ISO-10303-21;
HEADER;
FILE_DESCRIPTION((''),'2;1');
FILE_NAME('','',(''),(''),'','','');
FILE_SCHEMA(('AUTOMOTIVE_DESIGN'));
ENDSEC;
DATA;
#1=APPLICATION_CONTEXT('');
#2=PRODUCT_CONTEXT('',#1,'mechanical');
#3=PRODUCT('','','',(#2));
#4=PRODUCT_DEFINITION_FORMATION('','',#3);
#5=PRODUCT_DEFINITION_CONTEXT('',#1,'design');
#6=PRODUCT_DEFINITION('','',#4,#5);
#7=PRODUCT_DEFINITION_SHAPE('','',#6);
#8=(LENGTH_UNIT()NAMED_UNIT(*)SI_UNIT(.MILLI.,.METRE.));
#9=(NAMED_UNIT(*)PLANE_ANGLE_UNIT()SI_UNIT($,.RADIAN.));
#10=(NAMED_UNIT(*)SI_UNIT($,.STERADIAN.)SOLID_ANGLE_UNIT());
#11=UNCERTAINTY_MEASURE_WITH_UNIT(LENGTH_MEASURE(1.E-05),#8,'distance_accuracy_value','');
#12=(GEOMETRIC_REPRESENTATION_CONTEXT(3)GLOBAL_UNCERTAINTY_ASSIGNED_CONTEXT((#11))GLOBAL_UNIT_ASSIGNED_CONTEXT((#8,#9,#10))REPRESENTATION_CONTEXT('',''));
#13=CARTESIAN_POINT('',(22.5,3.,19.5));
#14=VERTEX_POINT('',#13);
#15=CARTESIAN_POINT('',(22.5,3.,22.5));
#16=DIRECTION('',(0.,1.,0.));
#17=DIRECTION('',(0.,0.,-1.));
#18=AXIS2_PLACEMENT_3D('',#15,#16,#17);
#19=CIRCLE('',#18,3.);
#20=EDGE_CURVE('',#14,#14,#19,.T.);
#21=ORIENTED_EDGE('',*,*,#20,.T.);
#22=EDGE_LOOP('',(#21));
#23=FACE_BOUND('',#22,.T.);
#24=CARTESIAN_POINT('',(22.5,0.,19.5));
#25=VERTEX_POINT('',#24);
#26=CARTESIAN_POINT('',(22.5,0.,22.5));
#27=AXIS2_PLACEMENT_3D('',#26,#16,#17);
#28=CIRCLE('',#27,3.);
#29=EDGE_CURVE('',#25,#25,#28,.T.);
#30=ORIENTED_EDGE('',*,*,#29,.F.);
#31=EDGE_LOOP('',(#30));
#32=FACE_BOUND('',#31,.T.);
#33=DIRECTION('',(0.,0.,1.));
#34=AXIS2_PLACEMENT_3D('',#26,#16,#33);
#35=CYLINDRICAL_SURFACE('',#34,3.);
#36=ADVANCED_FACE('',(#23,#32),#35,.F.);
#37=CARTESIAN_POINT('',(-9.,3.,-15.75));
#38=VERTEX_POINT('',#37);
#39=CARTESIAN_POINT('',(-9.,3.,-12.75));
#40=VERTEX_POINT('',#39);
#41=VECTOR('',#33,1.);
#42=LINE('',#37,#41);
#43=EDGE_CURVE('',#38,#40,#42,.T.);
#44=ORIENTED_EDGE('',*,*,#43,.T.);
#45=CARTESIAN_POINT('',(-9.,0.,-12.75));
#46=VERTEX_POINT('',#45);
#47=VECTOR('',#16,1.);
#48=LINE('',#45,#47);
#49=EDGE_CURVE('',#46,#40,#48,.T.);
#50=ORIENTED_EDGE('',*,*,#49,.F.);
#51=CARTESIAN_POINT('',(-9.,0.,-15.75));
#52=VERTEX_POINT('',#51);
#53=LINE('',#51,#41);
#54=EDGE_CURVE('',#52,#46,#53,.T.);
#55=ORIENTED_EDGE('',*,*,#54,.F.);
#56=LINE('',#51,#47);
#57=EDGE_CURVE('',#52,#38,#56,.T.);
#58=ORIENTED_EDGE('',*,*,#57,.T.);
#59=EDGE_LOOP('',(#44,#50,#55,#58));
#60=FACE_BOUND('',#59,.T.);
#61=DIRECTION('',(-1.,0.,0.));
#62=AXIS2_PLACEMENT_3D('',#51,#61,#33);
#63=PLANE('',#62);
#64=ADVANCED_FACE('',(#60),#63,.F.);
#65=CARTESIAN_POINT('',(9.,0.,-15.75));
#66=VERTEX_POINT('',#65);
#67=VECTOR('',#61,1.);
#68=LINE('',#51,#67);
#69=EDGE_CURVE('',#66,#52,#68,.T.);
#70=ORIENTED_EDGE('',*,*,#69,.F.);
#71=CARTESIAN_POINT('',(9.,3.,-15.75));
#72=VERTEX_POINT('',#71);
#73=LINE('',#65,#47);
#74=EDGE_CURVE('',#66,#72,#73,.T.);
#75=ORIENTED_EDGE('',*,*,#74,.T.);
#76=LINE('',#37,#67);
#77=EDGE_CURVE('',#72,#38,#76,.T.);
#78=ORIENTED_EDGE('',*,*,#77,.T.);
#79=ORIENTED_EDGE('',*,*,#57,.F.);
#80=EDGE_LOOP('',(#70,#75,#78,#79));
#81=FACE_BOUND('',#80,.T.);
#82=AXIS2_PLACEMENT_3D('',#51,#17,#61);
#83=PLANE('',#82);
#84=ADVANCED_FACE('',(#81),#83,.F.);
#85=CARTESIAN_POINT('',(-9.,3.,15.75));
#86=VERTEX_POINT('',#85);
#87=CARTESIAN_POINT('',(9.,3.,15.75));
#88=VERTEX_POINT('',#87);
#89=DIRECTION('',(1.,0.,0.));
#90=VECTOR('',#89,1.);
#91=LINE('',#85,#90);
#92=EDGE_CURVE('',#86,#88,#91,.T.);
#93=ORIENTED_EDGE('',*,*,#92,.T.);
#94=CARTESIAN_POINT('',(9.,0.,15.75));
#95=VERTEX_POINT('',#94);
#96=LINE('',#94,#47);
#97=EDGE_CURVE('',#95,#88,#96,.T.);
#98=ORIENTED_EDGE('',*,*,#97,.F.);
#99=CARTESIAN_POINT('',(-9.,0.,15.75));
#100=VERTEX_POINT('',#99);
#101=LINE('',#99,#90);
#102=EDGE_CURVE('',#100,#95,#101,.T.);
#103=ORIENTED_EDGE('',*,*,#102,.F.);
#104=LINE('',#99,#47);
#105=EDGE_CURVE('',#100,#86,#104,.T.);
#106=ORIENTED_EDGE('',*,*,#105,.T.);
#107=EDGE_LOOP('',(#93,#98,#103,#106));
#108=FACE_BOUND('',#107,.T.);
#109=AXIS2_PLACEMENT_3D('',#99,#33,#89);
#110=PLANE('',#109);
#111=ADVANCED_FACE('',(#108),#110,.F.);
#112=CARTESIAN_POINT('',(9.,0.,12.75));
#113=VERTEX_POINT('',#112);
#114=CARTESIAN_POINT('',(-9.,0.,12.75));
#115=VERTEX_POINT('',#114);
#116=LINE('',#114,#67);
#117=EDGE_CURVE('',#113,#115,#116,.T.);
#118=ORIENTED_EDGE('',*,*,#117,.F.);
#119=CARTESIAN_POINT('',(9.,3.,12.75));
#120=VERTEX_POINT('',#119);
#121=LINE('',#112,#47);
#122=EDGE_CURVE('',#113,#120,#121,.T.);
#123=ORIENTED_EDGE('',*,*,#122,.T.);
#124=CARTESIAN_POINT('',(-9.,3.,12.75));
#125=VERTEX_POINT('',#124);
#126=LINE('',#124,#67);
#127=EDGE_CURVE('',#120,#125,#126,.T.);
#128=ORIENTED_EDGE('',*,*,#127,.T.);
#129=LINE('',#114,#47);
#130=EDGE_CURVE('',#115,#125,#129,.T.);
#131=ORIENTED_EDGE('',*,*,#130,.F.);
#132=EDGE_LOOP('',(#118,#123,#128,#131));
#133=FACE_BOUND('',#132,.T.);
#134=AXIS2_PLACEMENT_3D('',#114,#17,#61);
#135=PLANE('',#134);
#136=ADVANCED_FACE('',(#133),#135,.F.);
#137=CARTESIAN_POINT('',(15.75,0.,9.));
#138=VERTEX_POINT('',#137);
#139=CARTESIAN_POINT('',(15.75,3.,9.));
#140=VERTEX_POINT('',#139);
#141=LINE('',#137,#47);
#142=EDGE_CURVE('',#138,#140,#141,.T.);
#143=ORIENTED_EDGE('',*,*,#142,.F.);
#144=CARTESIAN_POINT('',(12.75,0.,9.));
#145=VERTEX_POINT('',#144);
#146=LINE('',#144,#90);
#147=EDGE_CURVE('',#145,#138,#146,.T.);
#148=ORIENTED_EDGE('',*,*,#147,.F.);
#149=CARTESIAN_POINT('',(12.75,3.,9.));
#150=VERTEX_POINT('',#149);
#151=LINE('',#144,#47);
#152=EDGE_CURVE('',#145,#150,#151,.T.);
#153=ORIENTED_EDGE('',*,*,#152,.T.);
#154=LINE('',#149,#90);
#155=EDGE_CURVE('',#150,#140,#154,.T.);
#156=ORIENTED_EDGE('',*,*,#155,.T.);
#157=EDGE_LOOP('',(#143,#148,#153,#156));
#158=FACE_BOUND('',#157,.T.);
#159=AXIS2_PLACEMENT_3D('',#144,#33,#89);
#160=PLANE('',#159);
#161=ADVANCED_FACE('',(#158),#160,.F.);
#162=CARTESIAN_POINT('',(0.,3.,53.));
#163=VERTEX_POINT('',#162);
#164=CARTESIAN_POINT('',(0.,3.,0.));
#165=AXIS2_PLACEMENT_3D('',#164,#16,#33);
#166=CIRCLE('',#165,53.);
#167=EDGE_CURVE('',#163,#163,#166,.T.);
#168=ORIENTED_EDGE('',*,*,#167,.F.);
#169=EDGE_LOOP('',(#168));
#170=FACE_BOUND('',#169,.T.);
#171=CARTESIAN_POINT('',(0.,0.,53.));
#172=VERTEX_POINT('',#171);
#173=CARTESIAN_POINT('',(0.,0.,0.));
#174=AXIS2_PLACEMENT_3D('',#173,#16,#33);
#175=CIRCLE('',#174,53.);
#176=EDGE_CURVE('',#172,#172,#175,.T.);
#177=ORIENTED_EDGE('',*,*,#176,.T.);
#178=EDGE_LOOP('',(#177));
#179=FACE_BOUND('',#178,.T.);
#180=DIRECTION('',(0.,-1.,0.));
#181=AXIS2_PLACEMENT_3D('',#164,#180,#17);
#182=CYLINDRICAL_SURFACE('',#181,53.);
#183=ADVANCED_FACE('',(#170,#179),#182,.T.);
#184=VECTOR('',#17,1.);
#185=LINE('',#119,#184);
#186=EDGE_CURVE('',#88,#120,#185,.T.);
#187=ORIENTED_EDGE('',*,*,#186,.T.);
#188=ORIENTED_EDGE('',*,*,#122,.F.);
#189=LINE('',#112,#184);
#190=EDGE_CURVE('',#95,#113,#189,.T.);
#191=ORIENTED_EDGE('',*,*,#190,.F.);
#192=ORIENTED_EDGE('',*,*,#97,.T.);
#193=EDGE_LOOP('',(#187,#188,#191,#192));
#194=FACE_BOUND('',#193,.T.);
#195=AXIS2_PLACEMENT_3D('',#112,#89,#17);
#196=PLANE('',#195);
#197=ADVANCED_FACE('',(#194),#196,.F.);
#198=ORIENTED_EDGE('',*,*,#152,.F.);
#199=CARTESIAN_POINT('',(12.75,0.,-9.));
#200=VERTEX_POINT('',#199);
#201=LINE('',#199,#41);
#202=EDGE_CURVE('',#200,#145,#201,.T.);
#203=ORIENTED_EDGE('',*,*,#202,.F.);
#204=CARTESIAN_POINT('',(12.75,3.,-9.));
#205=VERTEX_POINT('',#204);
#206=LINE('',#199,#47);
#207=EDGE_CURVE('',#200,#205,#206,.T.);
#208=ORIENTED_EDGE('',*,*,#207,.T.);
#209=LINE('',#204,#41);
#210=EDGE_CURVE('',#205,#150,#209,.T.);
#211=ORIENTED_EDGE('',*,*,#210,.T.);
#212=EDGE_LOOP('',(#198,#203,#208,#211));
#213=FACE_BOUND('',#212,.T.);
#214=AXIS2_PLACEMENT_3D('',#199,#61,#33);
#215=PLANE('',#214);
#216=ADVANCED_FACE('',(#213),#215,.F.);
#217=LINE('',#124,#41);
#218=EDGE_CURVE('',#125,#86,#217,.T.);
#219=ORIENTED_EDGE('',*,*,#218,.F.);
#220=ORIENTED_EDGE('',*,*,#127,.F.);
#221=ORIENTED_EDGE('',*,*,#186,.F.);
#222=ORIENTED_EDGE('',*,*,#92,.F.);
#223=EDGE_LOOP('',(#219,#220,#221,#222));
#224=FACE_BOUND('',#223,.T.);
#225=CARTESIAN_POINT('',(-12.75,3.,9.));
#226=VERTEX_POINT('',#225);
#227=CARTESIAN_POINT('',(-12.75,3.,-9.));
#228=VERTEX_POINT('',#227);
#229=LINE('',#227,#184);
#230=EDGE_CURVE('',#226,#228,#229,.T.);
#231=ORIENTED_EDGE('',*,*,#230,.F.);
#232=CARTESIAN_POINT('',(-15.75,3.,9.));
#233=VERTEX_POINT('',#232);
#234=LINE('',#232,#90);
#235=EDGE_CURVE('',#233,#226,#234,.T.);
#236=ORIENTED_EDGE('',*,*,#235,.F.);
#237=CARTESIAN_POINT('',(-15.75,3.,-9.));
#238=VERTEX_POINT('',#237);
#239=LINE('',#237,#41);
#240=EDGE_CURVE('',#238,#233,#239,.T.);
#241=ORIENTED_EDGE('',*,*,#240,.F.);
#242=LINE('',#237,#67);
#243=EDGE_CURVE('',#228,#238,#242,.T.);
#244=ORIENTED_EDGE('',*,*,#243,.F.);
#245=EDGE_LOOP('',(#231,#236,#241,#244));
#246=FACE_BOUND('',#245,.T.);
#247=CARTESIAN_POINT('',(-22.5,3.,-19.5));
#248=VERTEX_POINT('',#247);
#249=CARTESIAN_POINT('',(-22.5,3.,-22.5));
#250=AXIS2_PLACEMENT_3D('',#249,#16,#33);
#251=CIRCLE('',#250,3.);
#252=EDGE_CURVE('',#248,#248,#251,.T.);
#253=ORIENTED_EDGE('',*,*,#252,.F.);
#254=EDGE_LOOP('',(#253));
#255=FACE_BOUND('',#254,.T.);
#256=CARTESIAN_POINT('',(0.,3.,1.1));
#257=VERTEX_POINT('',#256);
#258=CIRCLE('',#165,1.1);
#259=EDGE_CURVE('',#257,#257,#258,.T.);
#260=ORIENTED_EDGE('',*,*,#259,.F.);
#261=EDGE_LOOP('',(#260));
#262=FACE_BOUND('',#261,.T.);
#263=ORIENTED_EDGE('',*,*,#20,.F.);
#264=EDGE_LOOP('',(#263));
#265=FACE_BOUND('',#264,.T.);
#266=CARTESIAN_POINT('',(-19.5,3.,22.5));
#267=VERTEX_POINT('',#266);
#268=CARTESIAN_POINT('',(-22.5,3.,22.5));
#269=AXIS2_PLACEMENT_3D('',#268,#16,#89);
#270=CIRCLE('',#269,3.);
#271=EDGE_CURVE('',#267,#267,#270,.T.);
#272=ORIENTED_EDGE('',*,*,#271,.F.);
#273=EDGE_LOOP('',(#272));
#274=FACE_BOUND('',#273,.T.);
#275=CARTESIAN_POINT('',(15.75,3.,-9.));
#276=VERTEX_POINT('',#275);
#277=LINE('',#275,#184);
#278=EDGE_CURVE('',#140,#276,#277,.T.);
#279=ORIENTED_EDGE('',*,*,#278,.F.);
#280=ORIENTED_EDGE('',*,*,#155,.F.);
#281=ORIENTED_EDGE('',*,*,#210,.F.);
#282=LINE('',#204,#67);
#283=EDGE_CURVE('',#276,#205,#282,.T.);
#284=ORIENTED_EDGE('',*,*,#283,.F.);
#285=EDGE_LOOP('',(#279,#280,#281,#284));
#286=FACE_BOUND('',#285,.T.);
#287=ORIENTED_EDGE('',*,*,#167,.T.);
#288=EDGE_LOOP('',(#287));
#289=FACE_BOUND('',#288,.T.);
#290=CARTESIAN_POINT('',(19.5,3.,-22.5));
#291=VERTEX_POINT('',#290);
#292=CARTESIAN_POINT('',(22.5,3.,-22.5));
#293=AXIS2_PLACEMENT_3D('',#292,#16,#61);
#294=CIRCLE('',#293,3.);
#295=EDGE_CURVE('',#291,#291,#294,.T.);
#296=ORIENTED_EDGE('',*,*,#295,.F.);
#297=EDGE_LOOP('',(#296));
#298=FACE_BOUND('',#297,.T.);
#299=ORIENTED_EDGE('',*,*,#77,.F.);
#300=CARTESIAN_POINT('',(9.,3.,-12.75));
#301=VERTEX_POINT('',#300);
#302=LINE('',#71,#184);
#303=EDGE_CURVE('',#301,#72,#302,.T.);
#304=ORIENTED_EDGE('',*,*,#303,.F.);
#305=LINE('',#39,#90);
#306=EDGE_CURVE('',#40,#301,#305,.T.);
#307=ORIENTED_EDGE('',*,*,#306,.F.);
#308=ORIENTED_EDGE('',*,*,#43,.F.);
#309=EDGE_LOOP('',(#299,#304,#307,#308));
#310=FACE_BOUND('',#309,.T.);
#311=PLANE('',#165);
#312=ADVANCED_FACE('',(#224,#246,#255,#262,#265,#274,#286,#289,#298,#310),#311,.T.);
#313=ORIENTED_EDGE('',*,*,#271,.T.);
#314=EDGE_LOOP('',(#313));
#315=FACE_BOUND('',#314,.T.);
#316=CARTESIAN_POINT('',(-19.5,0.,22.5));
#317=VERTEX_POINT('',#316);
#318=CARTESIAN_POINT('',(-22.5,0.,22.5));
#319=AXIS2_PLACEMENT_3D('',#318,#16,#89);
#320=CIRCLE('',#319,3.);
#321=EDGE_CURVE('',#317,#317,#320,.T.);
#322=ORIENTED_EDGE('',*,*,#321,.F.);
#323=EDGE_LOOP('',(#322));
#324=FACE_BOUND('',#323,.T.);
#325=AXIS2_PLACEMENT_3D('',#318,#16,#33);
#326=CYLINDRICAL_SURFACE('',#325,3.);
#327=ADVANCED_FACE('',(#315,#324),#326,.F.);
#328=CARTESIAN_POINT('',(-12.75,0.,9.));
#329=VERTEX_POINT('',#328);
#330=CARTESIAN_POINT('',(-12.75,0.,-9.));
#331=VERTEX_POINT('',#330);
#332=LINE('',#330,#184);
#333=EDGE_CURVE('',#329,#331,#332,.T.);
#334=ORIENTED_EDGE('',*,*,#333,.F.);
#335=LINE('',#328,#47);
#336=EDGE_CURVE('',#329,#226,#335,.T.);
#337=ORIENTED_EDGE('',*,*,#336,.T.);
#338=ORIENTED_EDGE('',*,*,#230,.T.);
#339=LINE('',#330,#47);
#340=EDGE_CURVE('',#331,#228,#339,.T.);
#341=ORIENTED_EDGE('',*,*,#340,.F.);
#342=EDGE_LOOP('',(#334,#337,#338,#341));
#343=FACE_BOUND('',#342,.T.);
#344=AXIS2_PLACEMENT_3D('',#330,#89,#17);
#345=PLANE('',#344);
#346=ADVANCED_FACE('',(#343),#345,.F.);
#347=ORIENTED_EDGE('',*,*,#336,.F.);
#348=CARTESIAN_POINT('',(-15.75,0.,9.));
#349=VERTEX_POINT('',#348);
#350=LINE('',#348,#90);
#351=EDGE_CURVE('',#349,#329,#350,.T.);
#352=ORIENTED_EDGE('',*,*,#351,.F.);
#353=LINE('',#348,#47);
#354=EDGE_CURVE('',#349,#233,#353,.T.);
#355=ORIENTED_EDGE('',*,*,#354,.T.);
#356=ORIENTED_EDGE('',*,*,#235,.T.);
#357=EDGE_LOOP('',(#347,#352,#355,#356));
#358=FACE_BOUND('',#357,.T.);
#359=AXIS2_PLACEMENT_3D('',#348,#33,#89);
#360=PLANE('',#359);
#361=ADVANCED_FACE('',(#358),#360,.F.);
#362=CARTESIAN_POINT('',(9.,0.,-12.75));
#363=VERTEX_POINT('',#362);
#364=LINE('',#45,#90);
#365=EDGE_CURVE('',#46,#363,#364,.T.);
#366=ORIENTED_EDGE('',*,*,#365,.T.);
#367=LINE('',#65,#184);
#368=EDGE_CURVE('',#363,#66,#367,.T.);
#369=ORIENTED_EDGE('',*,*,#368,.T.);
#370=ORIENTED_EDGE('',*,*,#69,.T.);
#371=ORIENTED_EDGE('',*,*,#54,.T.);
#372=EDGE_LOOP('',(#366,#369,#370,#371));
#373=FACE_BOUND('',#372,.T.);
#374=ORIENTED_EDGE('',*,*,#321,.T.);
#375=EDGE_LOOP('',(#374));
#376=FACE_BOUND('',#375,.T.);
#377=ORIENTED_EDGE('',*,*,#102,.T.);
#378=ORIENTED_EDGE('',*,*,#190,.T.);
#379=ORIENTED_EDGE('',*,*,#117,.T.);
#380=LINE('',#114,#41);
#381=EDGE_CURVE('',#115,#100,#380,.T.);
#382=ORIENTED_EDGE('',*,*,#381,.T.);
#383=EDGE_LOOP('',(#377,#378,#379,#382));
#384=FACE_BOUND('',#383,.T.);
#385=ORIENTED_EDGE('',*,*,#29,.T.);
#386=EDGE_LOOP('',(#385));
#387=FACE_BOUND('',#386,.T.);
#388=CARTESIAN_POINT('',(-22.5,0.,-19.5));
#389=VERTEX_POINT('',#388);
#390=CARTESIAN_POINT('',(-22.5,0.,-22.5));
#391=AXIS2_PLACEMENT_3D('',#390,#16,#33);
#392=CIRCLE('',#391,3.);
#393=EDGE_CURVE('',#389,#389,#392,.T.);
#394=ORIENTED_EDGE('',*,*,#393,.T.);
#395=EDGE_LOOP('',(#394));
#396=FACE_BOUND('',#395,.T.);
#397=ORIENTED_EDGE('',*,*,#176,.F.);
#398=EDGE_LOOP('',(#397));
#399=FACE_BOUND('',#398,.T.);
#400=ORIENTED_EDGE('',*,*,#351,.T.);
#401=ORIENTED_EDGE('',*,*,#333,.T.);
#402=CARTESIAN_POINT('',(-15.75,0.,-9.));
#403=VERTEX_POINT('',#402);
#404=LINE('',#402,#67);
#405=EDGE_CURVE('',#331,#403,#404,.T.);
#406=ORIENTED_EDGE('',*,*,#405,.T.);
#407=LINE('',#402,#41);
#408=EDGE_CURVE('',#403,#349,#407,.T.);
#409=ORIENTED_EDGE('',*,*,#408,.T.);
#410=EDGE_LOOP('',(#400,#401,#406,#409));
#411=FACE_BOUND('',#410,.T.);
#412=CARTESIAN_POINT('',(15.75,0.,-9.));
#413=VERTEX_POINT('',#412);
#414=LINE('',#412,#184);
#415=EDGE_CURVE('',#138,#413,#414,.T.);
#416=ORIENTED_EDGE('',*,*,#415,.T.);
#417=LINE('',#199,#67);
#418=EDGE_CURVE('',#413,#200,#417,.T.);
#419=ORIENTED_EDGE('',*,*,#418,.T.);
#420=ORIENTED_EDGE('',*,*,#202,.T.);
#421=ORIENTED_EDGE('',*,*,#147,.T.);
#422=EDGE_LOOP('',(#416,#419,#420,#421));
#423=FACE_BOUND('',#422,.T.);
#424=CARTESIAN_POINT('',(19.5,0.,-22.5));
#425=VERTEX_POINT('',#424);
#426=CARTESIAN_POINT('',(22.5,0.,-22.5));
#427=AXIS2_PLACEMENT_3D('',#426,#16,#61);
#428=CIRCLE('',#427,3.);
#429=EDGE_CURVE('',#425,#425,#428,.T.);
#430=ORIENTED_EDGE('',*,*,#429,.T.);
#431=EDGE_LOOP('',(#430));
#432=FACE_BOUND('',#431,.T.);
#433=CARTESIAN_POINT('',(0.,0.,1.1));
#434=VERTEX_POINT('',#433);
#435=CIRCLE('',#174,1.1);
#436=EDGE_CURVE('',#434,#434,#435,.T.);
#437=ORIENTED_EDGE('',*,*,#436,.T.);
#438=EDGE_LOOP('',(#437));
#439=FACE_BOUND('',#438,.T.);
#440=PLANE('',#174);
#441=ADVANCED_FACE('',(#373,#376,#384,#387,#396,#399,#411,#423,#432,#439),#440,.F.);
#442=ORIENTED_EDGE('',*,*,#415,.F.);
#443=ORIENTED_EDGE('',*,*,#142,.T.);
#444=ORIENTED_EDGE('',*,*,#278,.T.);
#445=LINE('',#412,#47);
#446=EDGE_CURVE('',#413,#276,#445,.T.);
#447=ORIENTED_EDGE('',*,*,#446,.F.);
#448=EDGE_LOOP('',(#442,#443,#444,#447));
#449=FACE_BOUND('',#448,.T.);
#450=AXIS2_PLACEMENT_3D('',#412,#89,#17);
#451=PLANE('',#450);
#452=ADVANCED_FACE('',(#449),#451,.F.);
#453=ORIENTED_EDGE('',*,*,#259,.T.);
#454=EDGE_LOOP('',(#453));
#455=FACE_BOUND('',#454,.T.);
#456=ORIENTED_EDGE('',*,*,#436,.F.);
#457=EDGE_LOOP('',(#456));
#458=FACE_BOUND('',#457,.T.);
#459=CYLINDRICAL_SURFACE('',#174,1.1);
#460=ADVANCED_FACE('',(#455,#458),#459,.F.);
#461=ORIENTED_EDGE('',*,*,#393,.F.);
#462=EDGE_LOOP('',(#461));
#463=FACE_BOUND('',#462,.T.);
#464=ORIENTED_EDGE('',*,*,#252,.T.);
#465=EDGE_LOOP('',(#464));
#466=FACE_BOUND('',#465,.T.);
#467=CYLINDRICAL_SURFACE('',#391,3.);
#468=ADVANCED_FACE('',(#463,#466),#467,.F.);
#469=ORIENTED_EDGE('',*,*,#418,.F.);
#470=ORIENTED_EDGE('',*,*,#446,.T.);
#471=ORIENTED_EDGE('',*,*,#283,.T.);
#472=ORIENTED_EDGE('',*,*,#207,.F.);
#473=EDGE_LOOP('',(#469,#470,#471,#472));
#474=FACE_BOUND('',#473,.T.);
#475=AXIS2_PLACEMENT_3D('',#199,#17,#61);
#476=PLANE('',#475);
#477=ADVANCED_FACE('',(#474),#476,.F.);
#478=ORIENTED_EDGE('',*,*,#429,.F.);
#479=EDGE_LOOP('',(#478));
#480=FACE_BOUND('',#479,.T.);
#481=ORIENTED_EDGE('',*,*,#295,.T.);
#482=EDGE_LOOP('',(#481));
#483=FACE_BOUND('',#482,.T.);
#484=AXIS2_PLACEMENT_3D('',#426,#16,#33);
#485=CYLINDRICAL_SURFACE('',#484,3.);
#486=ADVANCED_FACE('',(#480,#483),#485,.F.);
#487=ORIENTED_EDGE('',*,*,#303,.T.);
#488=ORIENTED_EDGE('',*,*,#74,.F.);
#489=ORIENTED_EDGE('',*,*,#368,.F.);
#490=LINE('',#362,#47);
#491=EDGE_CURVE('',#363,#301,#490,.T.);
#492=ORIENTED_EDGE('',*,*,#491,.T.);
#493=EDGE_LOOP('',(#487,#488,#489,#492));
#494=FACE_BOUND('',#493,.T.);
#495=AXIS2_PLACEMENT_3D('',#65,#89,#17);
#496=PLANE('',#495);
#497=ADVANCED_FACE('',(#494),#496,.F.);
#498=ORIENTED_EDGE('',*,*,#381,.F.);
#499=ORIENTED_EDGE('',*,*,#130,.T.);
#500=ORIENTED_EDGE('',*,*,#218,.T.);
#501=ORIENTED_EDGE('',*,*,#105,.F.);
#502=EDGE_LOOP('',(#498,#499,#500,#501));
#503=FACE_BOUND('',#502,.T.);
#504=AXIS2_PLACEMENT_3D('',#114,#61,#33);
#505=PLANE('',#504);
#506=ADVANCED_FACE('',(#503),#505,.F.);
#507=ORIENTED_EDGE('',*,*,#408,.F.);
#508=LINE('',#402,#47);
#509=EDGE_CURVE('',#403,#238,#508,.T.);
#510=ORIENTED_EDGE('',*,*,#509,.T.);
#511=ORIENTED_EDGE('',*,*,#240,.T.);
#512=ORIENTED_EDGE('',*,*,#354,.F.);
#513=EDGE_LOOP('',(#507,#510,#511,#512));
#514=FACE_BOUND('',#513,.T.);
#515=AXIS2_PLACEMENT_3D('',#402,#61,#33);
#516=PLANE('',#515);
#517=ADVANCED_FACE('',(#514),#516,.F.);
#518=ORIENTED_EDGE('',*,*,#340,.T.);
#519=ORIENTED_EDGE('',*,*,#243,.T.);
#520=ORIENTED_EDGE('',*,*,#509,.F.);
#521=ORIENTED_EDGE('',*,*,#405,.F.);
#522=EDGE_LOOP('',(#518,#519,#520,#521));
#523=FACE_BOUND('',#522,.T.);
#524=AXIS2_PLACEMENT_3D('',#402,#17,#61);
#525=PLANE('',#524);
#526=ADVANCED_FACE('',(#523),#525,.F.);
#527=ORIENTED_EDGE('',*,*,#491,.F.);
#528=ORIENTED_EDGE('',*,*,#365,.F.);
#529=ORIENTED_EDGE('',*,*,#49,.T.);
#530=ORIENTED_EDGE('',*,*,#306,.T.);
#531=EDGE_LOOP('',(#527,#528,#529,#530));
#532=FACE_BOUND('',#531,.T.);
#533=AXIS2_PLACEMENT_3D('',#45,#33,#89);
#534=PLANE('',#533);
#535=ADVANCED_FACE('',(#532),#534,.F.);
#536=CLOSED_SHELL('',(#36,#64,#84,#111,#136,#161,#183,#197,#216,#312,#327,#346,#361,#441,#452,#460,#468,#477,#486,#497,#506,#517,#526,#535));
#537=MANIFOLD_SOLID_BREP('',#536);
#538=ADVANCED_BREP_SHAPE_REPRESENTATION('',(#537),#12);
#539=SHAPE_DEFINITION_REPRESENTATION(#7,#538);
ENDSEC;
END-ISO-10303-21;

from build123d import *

# Parameters (mm, degrees)
SKETCH1_R           = 53
BOSS_EXTRUDE1_DEPTH = 3
SKETCH2_R           = 1.1
SKETCH2_W           = 18
SKETCH2_H           = 3
SKETCH2_W_2         = 3
SKETCH2_H_2         = 18
CUT_EXTRUDE1_DEPTH  = 3
SKETCH4_R           = 3
CUT_EXTRUDE2_DEPTH  = 3
CIRPATTERN1_COUNT   = 4


with BuildPart() as part:
    # Sketch1 → Boss-Extrude1 (new body)
    with BuildSketch(Plane(origin=(0, 0, 0), x_dir=(1, 0, 0), z_dir=(0, 1, 0))):
        Circle(SKETCH1_R)
    extrude(amount=BOSS_EXTRUDE1_DEPTH)

    # Sketch2 → Cut-Extrude1 (cut)
    with BuildSketch(Plane(origin=(0, 3, 0), x_dir=(1, 0, 0), z_dir=(0, 1, 0))):
        Circle(SKETCH2_R)
        with Locations((0, 14.25)):
            Rectangle(SKETCH2_W, SKETCH2_H)
        with Locations((-14.25, 0)):
            Rectangle(SKETCH2_W_2, SKETCH2_H_2)
        with Locations((0, -14.25)):
            Rectangle(SKETCH2_W, SKETCH2_H)
        with Locations((14.25, 0)):
            Rectangle(SKETCH2_W_2, SKETCH2_H_2)
    extrude(amount=-CUT_EXTRUDE1_DEPTH, mode=Mode.SUBTRACT)

    # Sketch4 → Cut-Extrude2 (cut)
    with BuildSketch(Plane(origin=(0, 3, 0), x_dir=(1, 0, 0), z_dir=(0, 1, 0))):
        with Locations((-22.5, 22.5)):
            Circle(SKETCH4_R)
    cut_extrude2 = extrude(amount=-CUT_EXTRUDE2_DEPTH, mode=Mode.SUBTRACT)

    # CirPattern1: Cut-Extrude2 ×4 about axis
    cirpattern1_axis = Axis((0, 0, 0), (0, 1, 0))
    for i in range(1, CIRPATTERN1_COUNT):
        add(cut_extrude2.rotate(cirpattern1_axis, i * 360 / CIRPATTERN1_COUNT), mode=Mode.SUBTRACT)


solid = part.part
